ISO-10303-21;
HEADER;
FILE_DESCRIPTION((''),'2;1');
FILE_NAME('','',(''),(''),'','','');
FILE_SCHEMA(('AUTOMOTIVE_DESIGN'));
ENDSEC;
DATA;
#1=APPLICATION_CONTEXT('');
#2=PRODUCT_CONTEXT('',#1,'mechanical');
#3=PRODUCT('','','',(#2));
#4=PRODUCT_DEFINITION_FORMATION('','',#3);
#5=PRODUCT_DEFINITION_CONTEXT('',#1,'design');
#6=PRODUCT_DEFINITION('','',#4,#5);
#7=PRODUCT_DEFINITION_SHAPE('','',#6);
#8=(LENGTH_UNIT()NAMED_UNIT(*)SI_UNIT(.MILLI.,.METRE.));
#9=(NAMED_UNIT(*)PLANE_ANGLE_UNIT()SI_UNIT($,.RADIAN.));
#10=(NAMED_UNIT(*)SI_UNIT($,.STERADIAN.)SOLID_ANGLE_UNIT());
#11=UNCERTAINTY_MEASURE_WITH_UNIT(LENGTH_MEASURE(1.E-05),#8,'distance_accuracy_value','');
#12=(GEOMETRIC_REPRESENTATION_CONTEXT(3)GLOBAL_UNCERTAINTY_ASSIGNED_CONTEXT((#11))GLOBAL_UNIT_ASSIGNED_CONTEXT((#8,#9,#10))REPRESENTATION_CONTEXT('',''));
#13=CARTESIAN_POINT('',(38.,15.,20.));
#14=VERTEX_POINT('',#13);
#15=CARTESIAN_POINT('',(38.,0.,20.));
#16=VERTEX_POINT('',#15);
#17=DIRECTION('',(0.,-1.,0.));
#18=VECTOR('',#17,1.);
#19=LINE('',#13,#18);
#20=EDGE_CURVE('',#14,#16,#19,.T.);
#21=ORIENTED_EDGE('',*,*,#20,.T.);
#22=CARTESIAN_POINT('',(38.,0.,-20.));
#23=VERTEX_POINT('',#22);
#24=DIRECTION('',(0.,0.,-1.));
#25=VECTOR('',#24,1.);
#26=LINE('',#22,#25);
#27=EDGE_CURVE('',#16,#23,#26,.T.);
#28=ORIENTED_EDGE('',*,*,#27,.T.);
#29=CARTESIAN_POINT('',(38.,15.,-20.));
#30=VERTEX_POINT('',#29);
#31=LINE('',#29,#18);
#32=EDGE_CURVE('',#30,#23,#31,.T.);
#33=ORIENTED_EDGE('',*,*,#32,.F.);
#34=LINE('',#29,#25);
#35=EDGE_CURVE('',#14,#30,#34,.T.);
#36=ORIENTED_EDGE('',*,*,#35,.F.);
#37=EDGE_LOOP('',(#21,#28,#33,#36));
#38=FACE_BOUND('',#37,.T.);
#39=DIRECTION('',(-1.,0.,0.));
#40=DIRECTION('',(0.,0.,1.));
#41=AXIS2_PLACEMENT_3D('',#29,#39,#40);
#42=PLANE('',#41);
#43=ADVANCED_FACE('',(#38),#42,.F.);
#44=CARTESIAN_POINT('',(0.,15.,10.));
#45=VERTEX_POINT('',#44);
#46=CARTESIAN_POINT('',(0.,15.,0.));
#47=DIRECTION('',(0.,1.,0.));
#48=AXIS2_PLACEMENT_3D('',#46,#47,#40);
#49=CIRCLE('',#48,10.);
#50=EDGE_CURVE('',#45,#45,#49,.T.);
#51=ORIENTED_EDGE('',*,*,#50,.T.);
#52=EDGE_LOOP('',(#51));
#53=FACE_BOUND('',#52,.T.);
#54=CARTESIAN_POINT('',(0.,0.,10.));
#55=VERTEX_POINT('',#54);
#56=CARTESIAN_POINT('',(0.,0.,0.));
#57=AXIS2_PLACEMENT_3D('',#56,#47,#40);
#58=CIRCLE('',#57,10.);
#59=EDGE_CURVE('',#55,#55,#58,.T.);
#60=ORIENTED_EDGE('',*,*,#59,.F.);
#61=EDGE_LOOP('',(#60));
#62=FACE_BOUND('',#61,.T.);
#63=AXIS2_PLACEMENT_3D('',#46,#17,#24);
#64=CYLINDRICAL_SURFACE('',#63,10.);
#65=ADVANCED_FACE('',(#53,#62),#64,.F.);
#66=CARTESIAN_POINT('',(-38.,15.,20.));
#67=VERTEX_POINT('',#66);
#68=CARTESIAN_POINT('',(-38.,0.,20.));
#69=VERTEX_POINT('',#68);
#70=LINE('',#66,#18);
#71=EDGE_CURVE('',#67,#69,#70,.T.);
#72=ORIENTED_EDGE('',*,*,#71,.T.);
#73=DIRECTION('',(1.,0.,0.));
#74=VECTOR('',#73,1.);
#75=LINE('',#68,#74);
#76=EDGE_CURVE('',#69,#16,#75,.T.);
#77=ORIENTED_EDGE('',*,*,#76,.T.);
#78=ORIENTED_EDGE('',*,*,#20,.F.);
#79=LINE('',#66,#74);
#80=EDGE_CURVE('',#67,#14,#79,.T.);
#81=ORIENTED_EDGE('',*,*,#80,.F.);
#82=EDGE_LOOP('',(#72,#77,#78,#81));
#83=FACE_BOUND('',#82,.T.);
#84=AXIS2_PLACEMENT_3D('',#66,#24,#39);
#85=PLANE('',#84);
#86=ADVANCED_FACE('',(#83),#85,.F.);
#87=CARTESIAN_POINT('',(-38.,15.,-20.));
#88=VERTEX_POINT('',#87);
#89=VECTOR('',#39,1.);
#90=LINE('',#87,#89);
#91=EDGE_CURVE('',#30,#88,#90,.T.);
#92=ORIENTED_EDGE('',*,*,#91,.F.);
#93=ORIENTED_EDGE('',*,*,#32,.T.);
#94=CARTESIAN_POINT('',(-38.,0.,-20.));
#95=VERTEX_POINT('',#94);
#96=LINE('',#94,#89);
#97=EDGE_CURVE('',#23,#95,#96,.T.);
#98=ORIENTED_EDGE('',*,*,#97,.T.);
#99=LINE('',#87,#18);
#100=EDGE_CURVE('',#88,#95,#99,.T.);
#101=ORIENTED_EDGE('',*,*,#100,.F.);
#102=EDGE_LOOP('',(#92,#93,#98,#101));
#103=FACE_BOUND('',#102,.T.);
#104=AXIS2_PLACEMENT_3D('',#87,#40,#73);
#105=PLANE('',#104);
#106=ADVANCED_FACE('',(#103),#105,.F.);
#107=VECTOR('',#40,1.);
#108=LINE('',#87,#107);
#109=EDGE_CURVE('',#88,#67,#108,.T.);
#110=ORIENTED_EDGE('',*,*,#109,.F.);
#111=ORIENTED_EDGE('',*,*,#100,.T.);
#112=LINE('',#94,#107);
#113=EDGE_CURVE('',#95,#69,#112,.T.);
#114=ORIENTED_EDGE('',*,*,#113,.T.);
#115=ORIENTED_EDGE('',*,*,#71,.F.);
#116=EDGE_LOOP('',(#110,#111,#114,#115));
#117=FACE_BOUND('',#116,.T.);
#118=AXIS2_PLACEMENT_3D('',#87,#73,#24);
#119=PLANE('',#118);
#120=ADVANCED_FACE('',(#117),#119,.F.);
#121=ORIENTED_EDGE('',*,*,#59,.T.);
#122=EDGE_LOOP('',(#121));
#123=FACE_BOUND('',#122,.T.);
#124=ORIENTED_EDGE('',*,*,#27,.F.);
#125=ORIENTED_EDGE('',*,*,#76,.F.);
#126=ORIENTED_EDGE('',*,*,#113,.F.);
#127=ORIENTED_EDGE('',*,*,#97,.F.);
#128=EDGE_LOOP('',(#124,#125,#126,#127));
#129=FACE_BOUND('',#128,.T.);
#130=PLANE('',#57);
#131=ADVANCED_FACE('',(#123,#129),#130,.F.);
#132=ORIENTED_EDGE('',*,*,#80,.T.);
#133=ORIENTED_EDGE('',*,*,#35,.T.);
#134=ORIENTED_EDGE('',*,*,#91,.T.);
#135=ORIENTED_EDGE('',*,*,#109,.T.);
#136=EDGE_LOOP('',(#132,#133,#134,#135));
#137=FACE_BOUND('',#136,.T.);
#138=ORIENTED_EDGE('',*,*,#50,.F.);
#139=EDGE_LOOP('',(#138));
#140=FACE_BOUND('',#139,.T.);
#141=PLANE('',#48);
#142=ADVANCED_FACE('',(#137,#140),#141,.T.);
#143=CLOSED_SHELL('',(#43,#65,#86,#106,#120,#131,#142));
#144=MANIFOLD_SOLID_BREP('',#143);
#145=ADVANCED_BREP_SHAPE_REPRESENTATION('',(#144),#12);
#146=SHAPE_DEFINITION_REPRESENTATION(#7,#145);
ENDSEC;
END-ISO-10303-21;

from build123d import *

# Parameters (mm, degrees)
SKETCH1_W           = 76
SKETCH1_H           = 40
SKETCH1_R           = 10
BOSS_EXTRUDE1_DEPTH = 15


with BuildPart() as part:
    # Sketch1 → Boss-Extrude1 (new body)
    with BuildSketch(Plane(origin=(0, 0, 0), x_dir=(1, 0, 0), z_dir=(0, 1, 0))):
        Rectangle(SKETCH1_W, SKETCH1_H)
        with Locations(Location((0, 0, 0), (0, 0, 270))):
            Circle(SKETCH1_R, mode=Mode.SUBTRACT)
    extrude(amount=BOSS_EXTRUDE1_DEPTH)


solid = part.part
